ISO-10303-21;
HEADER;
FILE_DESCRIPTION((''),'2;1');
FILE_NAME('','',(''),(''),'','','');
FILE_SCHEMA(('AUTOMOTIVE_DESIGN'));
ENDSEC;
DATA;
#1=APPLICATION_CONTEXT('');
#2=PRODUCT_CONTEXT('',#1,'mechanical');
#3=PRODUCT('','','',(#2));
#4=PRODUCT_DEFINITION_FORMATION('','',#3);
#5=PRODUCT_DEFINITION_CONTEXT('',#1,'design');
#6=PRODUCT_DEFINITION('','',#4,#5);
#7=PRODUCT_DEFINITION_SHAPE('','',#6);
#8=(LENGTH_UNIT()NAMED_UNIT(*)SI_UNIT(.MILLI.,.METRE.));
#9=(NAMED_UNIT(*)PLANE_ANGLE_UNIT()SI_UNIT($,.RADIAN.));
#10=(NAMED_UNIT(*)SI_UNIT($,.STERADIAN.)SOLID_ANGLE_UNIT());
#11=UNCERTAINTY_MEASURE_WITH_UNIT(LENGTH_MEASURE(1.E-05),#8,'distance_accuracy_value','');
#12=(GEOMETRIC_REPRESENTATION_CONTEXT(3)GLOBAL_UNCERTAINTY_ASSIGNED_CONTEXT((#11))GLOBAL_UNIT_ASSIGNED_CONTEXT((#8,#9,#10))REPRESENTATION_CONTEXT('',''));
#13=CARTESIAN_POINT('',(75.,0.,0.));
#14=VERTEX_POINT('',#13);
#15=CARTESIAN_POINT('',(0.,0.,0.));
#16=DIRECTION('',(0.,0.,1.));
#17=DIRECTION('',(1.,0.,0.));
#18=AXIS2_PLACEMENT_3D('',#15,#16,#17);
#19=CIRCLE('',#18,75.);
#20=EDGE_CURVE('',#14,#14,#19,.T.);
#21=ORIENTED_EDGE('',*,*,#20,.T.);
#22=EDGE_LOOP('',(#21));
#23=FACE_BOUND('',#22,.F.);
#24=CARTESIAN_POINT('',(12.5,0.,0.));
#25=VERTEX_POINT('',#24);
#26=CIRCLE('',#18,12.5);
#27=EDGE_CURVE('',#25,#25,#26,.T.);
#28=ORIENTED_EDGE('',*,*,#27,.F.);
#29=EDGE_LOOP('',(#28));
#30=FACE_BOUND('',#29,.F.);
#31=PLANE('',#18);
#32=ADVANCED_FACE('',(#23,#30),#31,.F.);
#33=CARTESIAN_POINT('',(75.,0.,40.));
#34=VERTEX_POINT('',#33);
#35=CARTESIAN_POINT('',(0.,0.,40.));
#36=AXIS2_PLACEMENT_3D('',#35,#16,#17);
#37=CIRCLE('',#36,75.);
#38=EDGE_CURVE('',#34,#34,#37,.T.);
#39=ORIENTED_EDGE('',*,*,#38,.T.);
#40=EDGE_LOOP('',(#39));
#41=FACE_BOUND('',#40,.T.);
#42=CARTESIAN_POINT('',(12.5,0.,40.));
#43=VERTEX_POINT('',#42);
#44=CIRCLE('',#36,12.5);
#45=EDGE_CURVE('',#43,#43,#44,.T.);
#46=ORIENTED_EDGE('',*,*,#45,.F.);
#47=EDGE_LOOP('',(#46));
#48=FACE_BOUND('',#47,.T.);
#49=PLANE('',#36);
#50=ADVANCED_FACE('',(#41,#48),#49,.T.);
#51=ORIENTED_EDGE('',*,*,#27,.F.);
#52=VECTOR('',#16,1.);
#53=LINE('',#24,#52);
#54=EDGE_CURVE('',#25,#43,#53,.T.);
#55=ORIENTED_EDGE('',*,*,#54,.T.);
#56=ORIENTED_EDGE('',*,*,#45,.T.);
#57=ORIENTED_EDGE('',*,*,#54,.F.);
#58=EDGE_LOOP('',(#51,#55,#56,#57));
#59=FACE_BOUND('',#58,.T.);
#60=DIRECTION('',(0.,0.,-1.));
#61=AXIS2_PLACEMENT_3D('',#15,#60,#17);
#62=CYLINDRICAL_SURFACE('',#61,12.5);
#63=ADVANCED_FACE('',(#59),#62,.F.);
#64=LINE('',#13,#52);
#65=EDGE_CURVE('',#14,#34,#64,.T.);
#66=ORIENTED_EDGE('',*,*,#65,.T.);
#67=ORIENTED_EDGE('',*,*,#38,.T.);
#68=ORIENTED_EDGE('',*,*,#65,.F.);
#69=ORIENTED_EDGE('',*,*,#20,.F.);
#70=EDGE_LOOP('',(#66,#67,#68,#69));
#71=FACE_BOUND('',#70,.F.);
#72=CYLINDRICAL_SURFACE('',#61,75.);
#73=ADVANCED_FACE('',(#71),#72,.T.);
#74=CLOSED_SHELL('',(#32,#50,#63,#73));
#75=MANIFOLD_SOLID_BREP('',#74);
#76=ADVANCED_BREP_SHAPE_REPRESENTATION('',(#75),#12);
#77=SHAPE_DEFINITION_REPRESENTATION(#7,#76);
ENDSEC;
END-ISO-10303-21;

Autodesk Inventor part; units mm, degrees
ref_plane "YZ Plane" through (0, 0, 0) normal (1, 0, 0) x (0, 1, 0)
ref_plane "XZ Plane" through (0, 0, 0) normal (0, 1, 0) x (-1, 0, 0)
ref_plane "XY Plane" through (0, 0, 0) normal (0, 0, 1) x (1, 0, 0)
sketch "Sketch1" plane through (0, 0, 0) normal (0, 0, 1) x (1, 0, 0)
  circle A0 centre (0, 0) radius 75
  circle A1 centre (0, 0) radius 12.5
  dimension "d0" = 150
  dimension "d1" = 25
extrude "Extrusion1" add sketch "Sketch1" along normal blind 40
properties part number "2wheel"
